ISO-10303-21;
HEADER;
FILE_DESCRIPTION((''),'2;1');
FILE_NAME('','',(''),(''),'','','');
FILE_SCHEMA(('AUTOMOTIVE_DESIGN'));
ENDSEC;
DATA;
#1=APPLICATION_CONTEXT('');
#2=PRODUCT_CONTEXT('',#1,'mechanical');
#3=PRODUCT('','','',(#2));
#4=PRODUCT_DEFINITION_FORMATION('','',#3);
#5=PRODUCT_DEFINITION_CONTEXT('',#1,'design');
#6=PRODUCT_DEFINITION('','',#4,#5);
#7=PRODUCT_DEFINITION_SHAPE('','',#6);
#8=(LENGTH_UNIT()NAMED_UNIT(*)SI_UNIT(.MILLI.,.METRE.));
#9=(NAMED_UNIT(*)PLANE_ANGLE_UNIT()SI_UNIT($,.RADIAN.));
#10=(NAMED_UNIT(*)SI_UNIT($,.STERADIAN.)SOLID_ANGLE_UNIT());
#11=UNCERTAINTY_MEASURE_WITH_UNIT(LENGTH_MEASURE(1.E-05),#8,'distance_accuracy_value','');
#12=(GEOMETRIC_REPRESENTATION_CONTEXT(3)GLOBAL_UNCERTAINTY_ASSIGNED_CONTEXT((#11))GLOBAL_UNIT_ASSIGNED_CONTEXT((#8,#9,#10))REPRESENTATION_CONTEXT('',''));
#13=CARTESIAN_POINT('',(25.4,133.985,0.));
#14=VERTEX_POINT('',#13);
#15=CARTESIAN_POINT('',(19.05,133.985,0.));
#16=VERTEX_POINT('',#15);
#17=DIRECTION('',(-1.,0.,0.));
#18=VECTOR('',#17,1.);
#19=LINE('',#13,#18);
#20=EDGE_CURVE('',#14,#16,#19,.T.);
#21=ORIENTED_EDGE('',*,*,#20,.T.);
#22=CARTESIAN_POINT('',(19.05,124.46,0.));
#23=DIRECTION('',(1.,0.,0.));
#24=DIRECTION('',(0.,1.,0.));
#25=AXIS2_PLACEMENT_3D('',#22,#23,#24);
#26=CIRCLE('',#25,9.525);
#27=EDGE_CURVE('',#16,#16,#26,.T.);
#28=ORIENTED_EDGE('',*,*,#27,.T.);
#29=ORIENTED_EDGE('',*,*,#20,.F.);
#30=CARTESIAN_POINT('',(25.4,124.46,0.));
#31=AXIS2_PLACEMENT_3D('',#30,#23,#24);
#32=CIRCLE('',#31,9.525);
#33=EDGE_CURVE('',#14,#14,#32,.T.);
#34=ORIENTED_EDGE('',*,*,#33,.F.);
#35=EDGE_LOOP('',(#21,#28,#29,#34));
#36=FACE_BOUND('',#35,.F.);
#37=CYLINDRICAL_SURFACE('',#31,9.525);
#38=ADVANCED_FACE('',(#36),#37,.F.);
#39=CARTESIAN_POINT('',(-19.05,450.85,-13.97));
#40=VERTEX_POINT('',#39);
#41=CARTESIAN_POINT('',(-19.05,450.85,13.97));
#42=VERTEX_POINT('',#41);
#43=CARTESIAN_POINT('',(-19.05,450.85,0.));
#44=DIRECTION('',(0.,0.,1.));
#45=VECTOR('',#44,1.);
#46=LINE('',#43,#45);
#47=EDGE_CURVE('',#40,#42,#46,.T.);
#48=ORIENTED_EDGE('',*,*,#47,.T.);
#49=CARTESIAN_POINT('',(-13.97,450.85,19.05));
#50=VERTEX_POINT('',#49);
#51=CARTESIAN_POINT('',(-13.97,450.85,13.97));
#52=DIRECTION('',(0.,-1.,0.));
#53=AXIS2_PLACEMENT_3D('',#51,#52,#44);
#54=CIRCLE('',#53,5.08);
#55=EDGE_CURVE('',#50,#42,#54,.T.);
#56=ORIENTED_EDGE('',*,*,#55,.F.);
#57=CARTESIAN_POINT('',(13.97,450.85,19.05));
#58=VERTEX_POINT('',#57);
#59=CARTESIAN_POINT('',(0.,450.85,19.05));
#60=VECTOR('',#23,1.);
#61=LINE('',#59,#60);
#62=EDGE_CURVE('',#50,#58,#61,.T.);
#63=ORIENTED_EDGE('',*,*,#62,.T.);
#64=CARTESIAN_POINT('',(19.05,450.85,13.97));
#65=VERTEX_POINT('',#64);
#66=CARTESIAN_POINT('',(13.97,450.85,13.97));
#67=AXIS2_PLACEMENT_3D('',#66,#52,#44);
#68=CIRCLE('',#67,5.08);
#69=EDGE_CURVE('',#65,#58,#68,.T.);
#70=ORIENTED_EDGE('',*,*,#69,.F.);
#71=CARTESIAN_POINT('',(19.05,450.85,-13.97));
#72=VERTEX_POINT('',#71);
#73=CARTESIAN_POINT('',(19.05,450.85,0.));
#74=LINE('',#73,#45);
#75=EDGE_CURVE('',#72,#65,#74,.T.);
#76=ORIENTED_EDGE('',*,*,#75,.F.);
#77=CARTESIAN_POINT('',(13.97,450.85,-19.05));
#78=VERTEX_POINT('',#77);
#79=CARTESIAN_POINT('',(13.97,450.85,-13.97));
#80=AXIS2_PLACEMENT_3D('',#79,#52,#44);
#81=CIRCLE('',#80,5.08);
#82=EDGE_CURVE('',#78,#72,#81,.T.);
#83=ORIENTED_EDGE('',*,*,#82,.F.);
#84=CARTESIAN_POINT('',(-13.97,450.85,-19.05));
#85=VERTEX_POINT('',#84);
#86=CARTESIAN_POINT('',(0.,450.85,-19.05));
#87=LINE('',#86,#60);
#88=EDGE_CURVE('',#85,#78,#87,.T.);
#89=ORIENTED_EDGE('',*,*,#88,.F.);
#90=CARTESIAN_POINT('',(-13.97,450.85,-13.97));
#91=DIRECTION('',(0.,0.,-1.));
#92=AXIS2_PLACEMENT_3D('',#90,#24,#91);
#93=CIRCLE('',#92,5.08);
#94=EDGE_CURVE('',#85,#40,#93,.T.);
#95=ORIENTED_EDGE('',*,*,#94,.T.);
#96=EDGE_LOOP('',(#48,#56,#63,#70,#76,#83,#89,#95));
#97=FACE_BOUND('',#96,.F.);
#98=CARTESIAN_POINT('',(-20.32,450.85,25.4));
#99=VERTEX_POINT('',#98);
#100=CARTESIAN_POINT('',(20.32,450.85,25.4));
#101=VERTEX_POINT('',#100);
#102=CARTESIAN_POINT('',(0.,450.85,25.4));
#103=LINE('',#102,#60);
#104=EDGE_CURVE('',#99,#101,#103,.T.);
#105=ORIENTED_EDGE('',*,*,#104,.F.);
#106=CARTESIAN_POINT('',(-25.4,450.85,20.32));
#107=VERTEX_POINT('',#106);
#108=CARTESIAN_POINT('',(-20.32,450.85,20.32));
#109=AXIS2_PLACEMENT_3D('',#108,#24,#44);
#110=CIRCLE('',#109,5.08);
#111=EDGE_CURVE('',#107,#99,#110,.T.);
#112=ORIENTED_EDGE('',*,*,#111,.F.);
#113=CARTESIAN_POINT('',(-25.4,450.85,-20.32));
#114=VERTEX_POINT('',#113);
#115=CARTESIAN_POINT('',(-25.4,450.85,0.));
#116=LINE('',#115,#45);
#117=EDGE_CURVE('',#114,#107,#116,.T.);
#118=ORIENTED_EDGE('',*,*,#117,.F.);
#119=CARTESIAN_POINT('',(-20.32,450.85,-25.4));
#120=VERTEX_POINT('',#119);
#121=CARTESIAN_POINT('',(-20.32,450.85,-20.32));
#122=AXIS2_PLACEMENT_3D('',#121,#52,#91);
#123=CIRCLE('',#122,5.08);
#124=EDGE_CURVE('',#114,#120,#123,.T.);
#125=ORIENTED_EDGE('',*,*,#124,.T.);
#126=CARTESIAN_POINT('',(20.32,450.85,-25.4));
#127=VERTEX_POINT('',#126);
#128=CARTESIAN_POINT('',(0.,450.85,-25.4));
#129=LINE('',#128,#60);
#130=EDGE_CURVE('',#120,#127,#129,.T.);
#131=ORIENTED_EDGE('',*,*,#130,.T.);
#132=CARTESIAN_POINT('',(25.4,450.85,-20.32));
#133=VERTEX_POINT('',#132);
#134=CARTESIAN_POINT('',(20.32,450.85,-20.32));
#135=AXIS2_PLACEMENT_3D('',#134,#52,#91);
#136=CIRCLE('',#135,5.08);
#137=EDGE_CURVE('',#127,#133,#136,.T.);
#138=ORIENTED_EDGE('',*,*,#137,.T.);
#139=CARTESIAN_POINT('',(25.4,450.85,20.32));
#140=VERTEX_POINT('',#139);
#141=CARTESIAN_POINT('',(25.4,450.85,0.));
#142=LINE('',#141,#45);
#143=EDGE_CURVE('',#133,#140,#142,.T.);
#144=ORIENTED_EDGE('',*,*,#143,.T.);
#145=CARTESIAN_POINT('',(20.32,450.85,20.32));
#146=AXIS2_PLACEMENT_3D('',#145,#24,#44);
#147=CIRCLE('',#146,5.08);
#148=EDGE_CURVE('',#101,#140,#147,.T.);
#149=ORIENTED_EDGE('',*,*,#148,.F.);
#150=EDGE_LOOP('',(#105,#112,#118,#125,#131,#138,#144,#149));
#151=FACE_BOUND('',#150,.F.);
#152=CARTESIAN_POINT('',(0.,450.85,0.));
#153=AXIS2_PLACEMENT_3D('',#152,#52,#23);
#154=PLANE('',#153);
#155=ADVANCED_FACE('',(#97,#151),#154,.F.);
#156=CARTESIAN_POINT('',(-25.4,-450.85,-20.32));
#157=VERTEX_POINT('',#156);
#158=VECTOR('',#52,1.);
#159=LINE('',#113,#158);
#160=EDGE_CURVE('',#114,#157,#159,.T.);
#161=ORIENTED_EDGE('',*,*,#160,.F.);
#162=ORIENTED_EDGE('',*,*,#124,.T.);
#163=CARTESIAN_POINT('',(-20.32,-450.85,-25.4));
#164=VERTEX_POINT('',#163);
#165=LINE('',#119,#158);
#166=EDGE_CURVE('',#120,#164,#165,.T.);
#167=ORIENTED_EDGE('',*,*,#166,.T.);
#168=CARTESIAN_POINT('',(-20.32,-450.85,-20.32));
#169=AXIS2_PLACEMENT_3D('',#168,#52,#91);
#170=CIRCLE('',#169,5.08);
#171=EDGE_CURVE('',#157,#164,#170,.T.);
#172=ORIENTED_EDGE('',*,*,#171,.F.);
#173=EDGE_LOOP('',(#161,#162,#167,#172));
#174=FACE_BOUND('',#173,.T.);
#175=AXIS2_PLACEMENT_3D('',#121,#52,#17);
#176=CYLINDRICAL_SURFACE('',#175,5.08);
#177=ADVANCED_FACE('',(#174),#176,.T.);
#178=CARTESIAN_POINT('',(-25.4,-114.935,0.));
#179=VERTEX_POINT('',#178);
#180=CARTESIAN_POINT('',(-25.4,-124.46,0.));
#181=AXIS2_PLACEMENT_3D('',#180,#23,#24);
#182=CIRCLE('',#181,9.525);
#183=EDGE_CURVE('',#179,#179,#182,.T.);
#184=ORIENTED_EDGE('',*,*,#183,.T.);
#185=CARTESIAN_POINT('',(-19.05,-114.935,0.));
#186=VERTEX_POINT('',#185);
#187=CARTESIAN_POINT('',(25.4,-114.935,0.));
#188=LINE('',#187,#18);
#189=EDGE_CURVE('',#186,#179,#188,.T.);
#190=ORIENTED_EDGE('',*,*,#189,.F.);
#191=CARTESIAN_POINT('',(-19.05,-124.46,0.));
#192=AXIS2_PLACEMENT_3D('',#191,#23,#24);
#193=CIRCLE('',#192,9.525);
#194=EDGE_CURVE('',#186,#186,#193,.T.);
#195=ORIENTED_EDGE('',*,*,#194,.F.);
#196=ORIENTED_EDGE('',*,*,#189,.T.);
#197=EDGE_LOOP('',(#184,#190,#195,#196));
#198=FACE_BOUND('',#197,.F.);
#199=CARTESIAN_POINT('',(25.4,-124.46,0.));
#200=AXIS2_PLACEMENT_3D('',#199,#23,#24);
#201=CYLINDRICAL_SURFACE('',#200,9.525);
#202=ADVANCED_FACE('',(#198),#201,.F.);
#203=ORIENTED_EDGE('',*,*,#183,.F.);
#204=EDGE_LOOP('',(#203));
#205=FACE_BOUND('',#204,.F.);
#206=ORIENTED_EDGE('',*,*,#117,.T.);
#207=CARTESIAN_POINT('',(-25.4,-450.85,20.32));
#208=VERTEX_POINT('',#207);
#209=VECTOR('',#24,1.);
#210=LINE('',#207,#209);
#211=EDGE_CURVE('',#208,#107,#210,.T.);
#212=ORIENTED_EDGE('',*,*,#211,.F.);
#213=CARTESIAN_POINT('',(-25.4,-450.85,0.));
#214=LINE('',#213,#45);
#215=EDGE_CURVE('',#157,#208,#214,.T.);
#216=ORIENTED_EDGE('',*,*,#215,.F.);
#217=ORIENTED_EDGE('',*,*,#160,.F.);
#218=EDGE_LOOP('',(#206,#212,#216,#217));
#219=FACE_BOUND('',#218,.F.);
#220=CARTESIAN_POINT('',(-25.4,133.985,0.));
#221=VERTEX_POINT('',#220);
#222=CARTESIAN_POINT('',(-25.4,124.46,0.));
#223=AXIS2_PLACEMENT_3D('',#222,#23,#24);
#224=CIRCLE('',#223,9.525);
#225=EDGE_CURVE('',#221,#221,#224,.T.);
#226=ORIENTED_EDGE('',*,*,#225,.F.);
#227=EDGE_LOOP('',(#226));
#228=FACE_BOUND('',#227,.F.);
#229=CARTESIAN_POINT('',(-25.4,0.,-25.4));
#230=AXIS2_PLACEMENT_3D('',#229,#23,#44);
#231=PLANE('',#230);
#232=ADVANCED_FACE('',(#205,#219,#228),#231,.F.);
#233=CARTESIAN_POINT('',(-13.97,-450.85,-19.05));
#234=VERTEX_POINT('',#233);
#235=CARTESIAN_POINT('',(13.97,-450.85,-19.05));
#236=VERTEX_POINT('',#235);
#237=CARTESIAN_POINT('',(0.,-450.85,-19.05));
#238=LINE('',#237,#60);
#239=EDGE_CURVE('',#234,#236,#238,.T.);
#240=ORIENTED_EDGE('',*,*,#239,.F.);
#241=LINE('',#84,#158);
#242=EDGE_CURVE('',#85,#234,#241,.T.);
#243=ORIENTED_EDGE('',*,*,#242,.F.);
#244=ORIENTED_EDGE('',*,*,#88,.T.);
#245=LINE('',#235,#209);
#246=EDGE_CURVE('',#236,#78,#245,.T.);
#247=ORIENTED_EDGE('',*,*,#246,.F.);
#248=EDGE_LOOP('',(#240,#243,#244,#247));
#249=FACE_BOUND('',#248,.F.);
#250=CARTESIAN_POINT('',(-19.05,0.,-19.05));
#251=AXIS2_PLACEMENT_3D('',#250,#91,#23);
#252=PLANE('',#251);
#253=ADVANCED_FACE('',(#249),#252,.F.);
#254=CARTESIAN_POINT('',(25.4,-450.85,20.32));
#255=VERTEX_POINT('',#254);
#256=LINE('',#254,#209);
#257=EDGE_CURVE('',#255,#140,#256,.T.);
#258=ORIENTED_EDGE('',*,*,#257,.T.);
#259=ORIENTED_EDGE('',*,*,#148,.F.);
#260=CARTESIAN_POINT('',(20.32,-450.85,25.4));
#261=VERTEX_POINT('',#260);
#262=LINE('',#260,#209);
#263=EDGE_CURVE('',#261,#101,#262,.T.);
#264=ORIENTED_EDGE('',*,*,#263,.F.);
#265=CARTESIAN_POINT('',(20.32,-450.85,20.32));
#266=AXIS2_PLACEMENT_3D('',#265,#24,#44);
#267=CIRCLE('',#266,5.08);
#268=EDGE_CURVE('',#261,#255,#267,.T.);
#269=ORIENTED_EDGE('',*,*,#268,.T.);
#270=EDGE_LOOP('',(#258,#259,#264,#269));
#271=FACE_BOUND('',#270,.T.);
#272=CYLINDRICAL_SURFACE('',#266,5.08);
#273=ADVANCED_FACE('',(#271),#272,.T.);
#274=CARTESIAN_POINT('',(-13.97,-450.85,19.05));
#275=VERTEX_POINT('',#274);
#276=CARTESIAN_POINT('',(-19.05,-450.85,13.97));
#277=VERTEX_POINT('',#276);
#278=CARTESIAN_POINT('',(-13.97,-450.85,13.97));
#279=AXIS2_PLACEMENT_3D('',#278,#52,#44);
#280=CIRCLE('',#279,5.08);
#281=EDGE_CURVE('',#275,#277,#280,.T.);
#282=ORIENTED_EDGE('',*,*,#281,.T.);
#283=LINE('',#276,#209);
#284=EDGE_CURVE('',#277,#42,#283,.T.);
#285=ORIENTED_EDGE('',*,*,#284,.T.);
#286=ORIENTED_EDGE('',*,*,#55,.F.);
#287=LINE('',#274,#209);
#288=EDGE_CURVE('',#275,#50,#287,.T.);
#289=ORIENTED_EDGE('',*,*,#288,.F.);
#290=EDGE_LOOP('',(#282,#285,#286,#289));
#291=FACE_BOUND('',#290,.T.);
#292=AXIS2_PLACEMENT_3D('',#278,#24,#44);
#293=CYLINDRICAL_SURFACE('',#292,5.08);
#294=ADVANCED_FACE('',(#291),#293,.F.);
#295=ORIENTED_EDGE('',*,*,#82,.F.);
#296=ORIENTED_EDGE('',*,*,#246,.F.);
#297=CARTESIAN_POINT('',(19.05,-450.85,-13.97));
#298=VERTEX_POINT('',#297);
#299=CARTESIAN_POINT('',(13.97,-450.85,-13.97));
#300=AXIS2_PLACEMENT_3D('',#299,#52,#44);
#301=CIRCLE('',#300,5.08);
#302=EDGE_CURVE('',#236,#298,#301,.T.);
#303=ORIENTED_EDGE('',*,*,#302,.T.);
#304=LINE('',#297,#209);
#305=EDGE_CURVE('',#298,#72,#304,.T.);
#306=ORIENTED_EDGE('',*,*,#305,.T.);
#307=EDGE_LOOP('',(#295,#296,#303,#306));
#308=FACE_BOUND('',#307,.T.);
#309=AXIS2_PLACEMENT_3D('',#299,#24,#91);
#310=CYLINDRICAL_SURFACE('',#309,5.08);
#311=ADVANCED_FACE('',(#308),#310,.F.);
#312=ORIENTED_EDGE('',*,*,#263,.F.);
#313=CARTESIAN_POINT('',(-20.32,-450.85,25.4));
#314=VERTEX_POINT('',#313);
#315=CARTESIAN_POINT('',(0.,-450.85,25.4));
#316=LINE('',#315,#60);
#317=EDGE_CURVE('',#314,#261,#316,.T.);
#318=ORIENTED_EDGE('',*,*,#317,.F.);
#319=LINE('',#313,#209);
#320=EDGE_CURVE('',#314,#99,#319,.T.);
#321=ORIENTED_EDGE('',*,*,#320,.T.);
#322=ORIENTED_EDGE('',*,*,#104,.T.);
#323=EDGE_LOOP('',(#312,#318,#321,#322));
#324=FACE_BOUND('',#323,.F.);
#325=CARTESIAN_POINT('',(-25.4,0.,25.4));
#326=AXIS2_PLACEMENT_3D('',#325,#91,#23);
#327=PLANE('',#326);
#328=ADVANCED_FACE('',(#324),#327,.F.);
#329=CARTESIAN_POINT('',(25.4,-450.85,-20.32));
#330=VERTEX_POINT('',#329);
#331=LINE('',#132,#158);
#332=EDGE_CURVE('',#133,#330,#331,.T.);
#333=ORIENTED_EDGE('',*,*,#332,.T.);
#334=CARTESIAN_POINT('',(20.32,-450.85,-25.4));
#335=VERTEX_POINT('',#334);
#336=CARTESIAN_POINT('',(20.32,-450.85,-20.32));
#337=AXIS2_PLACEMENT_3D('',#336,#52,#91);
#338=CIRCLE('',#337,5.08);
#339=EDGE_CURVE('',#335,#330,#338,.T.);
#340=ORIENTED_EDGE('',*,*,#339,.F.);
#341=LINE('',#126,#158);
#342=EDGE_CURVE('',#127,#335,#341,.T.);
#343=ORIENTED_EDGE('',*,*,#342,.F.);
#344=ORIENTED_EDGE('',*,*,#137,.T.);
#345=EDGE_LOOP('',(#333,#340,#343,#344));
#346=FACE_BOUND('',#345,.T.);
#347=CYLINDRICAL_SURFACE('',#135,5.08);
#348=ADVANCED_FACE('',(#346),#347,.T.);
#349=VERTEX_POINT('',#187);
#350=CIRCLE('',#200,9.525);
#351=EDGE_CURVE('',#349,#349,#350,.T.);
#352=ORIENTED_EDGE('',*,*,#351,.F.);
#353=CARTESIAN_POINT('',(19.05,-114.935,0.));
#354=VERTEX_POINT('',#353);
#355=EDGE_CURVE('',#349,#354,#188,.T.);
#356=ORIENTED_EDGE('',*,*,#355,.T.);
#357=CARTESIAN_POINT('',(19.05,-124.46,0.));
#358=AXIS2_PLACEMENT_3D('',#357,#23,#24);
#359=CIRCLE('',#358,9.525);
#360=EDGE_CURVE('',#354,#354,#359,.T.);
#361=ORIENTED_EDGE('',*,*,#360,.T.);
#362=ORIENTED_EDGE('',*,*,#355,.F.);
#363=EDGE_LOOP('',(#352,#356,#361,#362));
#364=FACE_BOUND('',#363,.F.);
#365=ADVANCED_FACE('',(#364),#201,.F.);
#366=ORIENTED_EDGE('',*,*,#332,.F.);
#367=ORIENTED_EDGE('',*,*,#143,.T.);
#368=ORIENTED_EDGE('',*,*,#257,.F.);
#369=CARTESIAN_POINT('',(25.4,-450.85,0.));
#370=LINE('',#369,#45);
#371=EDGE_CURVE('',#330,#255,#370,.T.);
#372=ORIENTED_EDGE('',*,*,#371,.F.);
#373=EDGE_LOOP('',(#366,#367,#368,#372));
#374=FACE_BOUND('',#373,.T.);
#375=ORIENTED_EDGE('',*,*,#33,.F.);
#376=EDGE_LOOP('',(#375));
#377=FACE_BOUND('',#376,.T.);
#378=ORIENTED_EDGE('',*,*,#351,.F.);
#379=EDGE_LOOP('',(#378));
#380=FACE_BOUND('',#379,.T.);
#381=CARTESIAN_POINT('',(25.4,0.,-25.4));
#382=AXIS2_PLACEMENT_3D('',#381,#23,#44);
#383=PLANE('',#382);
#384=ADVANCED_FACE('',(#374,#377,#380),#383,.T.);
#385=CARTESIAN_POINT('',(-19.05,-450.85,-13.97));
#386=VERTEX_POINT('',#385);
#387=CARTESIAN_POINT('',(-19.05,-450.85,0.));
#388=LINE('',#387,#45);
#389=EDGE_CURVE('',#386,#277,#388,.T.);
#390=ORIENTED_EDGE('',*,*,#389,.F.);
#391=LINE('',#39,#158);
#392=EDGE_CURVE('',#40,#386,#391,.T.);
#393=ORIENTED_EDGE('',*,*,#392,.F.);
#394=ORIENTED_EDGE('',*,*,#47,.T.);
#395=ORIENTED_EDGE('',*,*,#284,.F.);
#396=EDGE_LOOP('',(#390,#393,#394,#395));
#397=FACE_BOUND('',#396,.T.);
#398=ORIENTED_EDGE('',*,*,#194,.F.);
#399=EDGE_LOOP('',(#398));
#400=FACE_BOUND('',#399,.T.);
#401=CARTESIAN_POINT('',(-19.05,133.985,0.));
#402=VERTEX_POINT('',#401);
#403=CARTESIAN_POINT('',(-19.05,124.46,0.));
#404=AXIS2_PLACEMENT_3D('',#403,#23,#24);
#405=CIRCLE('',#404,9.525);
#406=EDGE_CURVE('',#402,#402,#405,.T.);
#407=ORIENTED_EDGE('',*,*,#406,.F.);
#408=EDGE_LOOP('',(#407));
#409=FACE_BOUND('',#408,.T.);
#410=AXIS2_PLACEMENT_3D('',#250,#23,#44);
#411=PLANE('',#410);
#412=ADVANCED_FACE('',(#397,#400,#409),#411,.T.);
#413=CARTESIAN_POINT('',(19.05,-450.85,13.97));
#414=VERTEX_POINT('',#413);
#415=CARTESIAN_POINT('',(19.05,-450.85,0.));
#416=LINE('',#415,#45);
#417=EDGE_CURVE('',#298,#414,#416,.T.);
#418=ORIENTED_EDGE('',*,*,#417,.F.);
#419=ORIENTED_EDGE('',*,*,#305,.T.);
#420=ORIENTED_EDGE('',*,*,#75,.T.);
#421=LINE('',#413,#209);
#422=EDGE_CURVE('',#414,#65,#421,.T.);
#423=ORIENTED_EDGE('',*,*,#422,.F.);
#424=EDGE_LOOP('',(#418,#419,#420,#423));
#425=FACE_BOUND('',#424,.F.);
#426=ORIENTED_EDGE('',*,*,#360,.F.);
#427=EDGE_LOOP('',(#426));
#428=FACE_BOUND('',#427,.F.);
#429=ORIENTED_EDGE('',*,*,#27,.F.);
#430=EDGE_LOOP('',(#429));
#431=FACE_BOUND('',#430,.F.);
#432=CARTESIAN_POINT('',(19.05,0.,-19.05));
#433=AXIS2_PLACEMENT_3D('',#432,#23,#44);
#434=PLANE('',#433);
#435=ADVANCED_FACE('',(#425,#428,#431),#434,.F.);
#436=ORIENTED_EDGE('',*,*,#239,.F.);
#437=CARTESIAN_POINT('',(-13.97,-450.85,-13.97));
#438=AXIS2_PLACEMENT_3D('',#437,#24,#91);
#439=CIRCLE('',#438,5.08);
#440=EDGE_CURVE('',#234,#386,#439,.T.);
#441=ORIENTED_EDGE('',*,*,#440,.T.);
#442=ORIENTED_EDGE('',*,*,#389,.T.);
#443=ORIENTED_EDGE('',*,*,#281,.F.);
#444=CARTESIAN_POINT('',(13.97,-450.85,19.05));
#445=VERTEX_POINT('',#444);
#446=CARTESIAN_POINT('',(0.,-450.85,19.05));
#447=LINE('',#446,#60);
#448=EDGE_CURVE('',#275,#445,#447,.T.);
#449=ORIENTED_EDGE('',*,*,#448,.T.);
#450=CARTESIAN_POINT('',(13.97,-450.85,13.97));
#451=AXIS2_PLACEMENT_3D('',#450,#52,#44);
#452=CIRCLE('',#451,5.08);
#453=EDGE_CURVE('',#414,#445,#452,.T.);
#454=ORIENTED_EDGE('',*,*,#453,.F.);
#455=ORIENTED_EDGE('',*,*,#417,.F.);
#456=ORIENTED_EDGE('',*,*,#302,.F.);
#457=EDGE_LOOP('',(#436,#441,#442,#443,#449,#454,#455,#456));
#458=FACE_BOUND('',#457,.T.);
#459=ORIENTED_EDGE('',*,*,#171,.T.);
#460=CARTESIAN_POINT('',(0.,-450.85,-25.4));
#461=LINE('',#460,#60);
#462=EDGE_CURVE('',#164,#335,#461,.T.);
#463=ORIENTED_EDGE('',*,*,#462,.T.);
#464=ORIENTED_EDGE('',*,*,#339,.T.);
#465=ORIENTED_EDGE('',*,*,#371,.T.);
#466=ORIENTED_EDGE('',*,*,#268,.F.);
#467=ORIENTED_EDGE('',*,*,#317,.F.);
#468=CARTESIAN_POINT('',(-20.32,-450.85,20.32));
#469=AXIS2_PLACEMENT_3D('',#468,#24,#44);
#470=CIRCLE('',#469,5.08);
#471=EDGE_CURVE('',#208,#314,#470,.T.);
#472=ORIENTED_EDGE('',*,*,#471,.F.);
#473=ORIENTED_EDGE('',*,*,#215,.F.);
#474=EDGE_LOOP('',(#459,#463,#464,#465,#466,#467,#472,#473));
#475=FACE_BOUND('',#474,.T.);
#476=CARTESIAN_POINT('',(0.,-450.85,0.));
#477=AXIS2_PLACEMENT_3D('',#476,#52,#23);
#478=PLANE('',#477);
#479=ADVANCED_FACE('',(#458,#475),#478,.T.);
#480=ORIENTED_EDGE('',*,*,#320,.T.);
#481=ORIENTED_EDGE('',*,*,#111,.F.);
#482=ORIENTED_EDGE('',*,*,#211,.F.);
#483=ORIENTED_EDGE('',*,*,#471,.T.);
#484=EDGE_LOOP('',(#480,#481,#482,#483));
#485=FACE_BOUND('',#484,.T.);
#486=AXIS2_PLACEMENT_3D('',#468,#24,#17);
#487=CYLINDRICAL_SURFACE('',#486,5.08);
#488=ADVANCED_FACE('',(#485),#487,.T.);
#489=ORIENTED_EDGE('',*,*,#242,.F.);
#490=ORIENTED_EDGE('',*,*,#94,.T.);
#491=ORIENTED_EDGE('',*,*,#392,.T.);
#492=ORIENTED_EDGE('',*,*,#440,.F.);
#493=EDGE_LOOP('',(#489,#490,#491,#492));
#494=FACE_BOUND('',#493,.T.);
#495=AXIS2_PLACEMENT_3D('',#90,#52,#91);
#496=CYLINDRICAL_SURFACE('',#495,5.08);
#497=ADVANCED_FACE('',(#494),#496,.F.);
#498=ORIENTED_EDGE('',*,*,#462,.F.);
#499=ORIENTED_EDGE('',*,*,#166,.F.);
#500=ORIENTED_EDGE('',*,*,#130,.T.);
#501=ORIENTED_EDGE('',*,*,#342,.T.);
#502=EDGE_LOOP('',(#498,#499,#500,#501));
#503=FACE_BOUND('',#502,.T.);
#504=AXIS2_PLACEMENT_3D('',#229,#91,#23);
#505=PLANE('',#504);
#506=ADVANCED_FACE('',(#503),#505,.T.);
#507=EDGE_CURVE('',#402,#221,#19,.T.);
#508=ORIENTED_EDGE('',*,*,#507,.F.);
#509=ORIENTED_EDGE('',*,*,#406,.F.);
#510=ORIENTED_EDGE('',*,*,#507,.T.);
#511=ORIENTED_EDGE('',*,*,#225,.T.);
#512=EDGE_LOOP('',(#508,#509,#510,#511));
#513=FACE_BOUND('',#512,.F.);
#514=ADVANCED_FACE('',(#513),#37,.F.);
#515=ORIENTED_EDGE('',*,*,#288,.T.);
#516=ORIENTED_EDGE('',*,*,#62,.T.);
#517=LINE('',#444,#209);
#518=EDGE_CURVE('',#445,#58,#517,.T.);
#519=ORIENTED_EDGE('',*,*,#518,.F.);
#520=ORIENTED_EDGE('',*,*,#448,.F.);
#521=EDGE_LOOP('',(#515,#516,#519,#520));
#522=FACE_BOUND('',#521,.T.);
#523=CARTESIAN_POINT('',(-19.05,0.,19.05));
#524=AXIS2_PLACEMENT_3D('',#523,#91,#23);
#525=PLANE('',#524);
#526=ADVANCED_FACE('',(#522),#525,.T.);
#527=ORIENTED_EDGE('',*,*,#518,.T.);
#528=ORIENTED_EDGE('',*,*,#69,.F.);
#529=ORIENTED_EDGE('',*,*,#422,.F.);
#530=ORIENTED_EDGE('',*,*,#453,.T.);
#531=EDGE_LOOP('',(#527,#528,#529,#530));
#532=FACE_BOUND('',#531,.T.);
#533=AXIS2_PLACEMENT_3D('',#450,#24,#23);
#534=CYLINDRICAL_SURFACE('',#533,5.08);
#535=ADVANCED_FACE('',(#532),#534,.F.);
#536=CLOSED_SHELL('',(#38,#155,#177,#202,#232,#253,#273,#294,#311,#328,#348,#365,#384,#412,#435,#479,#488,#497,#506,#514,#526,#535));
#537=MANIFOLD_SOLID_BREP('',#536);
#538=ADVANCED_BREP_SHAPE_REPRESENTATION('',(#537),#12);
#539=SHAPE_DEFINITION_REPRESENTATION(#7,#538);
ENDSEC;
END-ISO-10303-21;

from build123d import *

# Parameters (mm, degrees)
F0_W     = 50.8
F0_H     = 50.8
F0_W_2   = 38.1
F0_H_2   = 38.1
F1_DEPTH = 450.85
F2_R     = 9.525
F3_DEPTH = 50.801
F4_R     = 5.08


with BuildPart() as f1:
    # F0 (on Front) → F1 (new body, symmetric)
    with BuildSketch(Plane.XZ):
        Rectangle(F0_W, F0_H)
        Rectangle(F0_W_2, F0_H_2, mode=Mode.SUBTRACT)
    extrude(amount=F1_DEPTH, both=True)

    # F2 (on face) → F3 (cut, through all)
    with BuildSketch(Plane.YZ.offset(25.4)):
        with Locations((-124.46, 0)):
            Circle(F2_R)
        with Locations((124.46, 0)):
            Circle(F2_R)
    extrude(amount=-F3_DEPTH, mode=Mode.SUBTRACT)

    # F4
    f4_edges = [f1.edges().sort_by_distance(p)[0] for p in [
        (-25.4, 0, 25.4),
        (25.4, 0, 25.4),
        (19.05, 0, -19.05),
        (-19.05, 0, -19.05),
        (-25.4, 0, -25.4),
        (25.4, 0, -25.4),
        (19.05, 0, 19.05),
        (-19.05, 0, 19.05),
    ]]
    fillet(f4_edges, radius=F4_R)


solid = f1.part
